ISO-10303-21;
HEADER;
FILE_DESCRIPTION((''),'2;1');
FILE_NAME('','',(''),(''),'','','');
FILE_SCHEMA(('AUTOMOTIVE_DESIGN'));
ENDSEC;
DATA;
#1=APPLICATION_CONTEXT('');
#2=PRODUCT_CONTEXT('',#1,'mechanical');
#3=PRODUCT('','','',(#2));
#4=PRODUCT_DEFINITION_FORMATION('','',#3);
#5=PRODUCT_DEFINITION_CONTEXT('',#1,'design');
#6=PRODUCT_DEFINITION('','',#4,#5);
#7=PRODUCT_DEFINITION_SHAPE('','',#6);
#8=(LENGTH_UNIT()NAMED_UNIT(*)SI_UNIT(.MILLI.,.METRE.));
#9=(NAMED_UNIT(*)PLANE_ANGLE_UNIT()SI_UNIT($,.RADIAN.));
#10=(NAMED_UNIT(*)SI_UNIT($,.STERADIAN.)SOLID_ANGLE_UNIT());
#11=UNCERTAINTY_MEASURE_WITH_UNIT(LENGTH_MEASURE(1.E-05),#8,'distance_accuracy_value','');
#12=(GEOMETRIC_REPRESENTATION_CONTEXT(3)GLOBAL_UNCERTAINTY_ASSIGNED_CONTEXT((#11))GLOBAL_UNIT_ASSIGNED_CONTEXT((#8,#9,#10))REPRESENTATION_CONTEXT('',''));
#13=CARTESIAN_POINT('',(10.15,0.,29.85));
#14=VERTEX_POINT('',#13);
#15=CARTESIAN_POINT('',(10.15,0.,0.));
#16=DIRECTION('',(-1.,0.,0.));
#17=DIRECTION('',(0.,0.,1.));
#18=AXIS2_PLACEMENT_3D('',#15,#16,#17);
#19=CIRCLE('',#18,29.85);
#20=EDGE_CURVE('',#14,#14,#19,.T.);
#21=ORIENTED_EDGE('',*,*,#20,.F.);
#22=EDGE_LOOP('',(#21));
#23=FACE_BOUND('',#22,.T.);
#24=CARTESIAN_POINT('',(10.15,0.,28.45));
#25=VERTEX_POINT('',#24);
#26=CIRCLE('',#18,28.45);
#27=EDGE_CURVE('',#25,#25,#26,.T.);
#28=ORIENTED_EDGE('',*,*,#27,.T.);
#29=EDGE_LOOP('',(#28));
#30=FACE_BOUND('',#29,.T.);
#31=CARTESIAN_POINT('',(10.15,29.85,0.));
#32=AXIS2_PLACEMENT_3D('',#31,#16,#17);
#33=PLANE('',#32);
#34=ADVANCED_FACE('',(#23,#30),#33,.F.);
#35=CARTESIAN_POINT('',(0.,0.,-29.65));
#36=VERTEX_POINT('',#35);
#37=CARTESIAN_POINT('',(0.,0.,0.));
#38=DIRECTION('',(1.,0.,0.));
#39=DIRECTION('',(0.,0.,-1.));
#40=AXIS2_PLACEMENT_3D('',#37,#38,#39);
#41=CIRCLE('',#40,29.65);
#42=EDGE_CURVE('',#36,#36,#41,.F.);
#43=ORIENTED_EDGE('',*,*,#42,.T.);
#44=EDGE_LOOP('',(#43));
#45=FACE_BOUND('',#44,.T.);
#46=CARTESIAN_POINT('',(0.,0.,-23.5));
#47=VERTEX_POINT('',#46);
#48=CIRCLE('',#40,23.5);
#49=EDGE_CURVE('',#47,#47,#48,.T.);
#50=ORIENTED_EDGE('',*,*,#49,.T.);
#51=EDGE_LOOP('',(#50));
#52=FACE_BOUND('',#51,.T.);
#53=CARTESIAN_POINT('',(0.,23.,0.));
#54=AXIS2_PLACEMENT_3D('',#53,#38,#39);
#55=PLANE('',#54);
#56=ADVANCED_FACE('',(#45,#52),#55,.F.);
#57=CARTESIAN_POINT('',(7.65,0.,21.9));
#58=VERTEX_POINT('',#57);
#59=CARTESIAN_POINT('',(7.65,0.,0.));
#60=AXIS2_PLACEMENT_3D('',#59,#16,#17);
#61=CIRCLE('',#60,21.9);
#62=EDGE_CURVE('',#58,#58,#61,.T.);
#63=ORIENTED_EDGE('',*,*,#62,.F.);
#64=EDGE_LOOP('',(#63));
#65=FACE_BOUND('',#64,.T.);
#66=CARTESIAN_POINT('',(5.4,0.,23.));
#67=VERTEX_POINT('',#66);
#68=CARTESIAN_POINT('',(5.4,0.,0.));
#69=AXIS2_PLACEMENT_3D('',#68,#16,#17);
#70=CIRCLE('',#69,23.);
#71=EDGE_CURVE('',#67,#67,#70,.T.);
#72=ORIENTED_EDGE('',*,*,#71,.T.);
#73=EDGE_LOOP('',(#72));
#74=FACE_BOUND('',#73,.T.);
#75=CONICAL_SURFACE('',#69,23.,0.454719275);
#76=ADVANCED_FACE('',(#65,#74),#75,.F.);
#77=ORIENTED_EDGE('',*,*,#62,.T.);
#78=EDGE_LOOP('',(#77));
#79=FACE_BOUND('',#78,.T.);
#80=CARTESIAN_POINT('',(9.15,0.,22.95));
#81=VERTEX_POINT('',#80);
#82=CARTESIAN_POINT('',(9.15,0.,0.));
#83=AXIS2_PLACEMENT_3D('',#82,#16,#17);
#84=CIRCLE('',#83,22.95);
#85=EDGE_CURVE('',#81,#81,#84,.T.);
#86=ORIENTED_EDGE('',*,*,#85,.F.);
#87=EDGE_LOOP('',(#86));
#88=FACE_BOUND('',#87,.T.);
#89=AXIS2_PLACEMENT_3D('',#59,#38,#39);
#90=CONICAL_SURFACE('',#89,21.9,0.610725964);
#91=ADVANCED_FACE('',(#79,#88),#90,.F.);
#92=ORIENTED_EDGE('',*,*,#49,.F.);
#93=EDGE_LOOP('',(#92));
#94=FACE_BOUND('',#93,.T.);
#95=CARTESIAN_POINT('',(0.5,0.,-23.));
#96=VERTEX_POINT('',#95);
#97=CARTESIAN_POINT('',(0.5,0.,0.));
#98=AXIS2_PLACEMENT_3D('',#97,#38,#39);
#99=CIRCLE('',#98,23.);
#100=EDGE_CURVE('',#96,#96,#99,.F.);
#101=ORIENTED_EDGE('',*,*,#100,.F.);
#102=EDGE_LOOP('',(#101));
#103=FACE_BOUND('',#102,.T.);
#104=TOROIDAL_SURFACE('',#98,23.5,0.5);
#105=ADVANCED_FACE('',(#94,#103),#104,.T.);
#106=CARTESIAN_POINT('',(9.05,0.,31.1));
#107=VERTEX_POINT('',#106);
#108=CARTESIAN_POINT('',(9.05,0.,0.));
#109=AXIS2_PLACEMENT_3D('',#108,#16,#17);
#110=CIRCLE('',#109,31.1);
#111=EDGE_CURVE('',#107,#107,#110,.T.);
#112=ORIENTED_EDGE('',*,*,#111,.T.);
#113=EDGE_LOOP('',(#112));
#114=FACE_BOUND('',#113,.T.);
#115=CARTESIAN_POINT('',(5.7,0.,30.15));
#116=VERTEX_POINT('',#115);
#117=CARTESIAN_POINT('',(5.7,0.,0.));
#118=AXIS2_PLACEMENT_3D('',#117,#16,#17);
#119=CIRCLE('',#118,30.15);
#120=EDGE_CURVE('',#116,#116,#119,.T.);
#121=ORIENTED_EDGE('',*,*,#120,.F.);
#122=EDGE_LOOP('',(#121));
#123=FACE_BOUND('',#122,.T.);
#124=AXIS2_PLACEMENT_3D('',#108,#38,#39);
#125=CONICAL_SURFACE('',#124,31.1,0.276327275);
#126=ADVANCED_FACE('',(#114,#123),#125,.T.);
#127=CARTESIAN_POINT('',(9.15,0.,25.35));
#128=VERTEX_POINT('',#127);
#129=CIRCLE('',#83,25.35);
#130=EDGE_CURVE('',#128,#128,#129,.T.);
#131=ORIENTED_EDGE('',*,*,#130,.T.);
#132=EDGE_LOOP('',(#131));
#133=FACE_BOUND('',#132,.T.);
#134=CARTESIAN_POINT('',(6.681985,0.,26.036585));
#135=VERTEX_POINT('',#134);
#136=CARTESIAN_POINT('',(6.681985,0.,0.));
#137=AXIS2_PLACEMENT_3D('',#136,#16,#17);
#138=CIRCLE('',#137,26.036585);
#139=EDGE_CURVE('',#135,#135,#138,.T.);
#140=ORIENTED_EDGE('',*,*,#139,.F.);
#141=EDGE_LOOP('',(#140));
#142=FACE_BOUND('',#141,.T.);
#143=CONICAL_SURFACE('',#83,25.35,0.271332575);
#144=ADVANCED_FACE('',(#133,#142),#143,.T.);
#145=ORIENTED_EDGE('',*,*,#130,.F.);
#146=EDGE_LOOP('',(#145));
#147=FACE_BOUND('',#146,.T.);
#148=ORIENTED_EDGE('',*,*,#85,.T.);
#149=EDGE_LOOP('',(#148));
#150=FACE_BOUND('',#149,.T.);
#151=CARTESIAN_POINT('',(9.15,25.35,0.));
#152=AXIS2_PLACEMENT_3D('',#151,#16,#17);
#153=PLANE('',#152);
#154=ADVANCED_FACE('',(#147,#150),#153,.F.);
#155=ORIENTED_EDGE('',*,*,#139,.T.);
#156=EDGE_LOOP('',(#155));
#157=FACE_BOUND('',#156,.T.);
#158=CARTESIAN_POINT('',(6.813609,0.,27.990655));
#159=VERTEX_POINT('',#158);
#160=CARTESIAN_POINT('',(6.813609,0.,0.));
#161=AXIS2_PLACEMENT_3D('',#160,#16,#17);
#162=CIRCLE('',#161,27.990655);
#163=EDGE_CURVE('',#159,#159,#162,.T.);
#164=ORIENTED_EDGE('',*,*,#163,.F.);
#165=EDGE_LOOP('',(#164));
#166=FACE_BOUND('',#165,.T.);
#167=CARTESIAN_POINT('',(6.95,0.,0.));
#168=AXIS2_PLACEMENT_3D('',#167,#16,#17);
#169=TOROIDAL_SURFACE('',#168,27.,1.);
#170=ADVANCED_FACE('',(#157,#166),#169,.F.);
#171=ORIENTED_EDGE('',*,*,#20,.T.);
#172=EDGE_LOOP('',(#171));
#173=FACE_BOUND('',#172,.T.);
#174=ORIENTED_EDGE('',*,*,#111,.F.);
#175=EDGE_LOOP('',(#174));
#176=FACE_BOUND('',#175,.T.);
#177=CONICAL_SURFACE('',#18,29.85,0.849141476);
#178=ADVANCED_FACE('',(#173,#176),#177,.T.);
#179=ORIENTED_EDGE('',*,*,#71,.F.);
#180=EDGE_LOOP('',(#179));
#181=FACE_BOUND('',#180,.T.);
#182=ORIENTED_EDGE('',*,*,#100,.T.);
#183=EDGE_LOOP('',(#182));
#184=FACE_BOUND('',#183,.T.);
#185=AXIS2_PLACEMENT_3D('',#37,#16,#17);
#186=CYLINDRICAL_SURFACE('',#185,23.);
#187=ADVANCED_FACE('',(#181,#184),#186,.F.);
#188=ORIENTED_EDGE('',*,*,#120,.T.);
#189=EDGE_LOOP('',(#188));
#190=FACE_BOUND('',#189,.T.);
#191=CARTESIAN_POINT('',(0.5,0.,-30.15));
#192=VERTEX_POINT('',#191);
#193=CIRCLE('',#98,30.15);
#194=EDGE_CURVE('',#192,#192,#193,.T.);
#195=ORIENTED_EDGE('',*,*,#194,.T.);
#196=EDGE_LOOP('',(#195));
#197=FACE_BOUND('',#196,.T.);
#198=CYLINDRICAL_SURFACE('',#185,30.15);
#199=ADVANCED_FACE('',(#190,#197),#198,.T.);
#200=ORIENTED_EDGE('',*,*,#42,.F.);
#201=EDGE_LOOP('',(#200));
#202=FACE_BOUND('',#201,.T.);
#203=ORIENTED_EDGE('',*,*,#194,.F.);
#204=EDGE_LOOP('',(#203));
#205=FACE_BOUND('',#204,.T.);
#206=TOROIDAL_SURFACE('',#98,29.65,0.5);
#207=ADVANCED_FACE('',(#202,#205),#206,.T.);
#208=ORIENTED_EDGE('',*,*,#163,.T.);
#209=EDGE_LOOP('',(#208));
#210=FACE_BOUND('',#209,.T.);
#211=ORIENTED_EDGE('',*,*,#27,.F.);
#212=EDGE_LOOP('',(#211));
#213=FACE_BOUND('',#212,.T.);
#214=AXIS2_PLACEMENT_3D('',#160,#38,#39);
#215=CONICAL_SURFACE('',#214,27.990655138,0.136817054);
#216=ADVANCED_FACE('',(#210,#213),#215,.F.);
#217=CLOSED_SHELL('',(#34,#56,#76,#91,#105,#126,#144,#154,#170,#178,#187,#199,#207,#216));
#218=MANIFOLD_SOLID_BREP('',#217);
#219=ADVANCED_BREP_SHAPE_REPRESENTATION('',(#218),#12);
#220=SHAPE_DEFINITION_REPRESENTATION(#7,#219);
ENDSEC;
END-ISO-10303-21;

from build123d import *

# Parameters (mm, degrees)
FILLET1_R = 0.5


with BuildPart() as part:
    # Sketch1 → Revolve1 (revolve)
    with BuildSketch(Plane.XY, mode=Mode.PRIVATE) as revolve1_sk:
        with BuildLine():
            Line((0, 23), (0, 30.15))
            Line((0, 30.15), (5.7, 30.15))
            Line((5.7, 30.15), (9.05, 31.1))
            Line((9.05, 31.1), (10.15, 29.85))
            Line((10.15, 29.85), (10.15, 28.45))
            Line((10.15, 28.45), (6.813609391, 27.990655138))
            ThreePointArc((6.813609391, 27.990655138), (5.952260951, 27.067207064), (6.681984504, 26.036585399))
            Line((6.681984504, 26.036585399), (9.15, 25.35))
            Line((9.15, 25.35), (9.15, 22.95))
            Line((9.15, 22.95), (7.65, 21.9))
            Line((7.65, 21.9), (5.4, 23))
            Line((5.4, 23), (0, 23))
        make_face()
    revolve(revolve1_sk.sketch.rotate(Axis((0, 0, 0), (1, 0, 0)), 90), axis=Axis((0, 0, 0), (1, 0, 0)))

    # Fillet1
    fillet1_edges = [part.edges().sort_by_distance(p)[0] for p in [
        (0, 0, -30.15),
        (0, 0, -23),
    ]]
    fillet(fillet1_edges, radius=FILLET1_R)


solid = part.part
